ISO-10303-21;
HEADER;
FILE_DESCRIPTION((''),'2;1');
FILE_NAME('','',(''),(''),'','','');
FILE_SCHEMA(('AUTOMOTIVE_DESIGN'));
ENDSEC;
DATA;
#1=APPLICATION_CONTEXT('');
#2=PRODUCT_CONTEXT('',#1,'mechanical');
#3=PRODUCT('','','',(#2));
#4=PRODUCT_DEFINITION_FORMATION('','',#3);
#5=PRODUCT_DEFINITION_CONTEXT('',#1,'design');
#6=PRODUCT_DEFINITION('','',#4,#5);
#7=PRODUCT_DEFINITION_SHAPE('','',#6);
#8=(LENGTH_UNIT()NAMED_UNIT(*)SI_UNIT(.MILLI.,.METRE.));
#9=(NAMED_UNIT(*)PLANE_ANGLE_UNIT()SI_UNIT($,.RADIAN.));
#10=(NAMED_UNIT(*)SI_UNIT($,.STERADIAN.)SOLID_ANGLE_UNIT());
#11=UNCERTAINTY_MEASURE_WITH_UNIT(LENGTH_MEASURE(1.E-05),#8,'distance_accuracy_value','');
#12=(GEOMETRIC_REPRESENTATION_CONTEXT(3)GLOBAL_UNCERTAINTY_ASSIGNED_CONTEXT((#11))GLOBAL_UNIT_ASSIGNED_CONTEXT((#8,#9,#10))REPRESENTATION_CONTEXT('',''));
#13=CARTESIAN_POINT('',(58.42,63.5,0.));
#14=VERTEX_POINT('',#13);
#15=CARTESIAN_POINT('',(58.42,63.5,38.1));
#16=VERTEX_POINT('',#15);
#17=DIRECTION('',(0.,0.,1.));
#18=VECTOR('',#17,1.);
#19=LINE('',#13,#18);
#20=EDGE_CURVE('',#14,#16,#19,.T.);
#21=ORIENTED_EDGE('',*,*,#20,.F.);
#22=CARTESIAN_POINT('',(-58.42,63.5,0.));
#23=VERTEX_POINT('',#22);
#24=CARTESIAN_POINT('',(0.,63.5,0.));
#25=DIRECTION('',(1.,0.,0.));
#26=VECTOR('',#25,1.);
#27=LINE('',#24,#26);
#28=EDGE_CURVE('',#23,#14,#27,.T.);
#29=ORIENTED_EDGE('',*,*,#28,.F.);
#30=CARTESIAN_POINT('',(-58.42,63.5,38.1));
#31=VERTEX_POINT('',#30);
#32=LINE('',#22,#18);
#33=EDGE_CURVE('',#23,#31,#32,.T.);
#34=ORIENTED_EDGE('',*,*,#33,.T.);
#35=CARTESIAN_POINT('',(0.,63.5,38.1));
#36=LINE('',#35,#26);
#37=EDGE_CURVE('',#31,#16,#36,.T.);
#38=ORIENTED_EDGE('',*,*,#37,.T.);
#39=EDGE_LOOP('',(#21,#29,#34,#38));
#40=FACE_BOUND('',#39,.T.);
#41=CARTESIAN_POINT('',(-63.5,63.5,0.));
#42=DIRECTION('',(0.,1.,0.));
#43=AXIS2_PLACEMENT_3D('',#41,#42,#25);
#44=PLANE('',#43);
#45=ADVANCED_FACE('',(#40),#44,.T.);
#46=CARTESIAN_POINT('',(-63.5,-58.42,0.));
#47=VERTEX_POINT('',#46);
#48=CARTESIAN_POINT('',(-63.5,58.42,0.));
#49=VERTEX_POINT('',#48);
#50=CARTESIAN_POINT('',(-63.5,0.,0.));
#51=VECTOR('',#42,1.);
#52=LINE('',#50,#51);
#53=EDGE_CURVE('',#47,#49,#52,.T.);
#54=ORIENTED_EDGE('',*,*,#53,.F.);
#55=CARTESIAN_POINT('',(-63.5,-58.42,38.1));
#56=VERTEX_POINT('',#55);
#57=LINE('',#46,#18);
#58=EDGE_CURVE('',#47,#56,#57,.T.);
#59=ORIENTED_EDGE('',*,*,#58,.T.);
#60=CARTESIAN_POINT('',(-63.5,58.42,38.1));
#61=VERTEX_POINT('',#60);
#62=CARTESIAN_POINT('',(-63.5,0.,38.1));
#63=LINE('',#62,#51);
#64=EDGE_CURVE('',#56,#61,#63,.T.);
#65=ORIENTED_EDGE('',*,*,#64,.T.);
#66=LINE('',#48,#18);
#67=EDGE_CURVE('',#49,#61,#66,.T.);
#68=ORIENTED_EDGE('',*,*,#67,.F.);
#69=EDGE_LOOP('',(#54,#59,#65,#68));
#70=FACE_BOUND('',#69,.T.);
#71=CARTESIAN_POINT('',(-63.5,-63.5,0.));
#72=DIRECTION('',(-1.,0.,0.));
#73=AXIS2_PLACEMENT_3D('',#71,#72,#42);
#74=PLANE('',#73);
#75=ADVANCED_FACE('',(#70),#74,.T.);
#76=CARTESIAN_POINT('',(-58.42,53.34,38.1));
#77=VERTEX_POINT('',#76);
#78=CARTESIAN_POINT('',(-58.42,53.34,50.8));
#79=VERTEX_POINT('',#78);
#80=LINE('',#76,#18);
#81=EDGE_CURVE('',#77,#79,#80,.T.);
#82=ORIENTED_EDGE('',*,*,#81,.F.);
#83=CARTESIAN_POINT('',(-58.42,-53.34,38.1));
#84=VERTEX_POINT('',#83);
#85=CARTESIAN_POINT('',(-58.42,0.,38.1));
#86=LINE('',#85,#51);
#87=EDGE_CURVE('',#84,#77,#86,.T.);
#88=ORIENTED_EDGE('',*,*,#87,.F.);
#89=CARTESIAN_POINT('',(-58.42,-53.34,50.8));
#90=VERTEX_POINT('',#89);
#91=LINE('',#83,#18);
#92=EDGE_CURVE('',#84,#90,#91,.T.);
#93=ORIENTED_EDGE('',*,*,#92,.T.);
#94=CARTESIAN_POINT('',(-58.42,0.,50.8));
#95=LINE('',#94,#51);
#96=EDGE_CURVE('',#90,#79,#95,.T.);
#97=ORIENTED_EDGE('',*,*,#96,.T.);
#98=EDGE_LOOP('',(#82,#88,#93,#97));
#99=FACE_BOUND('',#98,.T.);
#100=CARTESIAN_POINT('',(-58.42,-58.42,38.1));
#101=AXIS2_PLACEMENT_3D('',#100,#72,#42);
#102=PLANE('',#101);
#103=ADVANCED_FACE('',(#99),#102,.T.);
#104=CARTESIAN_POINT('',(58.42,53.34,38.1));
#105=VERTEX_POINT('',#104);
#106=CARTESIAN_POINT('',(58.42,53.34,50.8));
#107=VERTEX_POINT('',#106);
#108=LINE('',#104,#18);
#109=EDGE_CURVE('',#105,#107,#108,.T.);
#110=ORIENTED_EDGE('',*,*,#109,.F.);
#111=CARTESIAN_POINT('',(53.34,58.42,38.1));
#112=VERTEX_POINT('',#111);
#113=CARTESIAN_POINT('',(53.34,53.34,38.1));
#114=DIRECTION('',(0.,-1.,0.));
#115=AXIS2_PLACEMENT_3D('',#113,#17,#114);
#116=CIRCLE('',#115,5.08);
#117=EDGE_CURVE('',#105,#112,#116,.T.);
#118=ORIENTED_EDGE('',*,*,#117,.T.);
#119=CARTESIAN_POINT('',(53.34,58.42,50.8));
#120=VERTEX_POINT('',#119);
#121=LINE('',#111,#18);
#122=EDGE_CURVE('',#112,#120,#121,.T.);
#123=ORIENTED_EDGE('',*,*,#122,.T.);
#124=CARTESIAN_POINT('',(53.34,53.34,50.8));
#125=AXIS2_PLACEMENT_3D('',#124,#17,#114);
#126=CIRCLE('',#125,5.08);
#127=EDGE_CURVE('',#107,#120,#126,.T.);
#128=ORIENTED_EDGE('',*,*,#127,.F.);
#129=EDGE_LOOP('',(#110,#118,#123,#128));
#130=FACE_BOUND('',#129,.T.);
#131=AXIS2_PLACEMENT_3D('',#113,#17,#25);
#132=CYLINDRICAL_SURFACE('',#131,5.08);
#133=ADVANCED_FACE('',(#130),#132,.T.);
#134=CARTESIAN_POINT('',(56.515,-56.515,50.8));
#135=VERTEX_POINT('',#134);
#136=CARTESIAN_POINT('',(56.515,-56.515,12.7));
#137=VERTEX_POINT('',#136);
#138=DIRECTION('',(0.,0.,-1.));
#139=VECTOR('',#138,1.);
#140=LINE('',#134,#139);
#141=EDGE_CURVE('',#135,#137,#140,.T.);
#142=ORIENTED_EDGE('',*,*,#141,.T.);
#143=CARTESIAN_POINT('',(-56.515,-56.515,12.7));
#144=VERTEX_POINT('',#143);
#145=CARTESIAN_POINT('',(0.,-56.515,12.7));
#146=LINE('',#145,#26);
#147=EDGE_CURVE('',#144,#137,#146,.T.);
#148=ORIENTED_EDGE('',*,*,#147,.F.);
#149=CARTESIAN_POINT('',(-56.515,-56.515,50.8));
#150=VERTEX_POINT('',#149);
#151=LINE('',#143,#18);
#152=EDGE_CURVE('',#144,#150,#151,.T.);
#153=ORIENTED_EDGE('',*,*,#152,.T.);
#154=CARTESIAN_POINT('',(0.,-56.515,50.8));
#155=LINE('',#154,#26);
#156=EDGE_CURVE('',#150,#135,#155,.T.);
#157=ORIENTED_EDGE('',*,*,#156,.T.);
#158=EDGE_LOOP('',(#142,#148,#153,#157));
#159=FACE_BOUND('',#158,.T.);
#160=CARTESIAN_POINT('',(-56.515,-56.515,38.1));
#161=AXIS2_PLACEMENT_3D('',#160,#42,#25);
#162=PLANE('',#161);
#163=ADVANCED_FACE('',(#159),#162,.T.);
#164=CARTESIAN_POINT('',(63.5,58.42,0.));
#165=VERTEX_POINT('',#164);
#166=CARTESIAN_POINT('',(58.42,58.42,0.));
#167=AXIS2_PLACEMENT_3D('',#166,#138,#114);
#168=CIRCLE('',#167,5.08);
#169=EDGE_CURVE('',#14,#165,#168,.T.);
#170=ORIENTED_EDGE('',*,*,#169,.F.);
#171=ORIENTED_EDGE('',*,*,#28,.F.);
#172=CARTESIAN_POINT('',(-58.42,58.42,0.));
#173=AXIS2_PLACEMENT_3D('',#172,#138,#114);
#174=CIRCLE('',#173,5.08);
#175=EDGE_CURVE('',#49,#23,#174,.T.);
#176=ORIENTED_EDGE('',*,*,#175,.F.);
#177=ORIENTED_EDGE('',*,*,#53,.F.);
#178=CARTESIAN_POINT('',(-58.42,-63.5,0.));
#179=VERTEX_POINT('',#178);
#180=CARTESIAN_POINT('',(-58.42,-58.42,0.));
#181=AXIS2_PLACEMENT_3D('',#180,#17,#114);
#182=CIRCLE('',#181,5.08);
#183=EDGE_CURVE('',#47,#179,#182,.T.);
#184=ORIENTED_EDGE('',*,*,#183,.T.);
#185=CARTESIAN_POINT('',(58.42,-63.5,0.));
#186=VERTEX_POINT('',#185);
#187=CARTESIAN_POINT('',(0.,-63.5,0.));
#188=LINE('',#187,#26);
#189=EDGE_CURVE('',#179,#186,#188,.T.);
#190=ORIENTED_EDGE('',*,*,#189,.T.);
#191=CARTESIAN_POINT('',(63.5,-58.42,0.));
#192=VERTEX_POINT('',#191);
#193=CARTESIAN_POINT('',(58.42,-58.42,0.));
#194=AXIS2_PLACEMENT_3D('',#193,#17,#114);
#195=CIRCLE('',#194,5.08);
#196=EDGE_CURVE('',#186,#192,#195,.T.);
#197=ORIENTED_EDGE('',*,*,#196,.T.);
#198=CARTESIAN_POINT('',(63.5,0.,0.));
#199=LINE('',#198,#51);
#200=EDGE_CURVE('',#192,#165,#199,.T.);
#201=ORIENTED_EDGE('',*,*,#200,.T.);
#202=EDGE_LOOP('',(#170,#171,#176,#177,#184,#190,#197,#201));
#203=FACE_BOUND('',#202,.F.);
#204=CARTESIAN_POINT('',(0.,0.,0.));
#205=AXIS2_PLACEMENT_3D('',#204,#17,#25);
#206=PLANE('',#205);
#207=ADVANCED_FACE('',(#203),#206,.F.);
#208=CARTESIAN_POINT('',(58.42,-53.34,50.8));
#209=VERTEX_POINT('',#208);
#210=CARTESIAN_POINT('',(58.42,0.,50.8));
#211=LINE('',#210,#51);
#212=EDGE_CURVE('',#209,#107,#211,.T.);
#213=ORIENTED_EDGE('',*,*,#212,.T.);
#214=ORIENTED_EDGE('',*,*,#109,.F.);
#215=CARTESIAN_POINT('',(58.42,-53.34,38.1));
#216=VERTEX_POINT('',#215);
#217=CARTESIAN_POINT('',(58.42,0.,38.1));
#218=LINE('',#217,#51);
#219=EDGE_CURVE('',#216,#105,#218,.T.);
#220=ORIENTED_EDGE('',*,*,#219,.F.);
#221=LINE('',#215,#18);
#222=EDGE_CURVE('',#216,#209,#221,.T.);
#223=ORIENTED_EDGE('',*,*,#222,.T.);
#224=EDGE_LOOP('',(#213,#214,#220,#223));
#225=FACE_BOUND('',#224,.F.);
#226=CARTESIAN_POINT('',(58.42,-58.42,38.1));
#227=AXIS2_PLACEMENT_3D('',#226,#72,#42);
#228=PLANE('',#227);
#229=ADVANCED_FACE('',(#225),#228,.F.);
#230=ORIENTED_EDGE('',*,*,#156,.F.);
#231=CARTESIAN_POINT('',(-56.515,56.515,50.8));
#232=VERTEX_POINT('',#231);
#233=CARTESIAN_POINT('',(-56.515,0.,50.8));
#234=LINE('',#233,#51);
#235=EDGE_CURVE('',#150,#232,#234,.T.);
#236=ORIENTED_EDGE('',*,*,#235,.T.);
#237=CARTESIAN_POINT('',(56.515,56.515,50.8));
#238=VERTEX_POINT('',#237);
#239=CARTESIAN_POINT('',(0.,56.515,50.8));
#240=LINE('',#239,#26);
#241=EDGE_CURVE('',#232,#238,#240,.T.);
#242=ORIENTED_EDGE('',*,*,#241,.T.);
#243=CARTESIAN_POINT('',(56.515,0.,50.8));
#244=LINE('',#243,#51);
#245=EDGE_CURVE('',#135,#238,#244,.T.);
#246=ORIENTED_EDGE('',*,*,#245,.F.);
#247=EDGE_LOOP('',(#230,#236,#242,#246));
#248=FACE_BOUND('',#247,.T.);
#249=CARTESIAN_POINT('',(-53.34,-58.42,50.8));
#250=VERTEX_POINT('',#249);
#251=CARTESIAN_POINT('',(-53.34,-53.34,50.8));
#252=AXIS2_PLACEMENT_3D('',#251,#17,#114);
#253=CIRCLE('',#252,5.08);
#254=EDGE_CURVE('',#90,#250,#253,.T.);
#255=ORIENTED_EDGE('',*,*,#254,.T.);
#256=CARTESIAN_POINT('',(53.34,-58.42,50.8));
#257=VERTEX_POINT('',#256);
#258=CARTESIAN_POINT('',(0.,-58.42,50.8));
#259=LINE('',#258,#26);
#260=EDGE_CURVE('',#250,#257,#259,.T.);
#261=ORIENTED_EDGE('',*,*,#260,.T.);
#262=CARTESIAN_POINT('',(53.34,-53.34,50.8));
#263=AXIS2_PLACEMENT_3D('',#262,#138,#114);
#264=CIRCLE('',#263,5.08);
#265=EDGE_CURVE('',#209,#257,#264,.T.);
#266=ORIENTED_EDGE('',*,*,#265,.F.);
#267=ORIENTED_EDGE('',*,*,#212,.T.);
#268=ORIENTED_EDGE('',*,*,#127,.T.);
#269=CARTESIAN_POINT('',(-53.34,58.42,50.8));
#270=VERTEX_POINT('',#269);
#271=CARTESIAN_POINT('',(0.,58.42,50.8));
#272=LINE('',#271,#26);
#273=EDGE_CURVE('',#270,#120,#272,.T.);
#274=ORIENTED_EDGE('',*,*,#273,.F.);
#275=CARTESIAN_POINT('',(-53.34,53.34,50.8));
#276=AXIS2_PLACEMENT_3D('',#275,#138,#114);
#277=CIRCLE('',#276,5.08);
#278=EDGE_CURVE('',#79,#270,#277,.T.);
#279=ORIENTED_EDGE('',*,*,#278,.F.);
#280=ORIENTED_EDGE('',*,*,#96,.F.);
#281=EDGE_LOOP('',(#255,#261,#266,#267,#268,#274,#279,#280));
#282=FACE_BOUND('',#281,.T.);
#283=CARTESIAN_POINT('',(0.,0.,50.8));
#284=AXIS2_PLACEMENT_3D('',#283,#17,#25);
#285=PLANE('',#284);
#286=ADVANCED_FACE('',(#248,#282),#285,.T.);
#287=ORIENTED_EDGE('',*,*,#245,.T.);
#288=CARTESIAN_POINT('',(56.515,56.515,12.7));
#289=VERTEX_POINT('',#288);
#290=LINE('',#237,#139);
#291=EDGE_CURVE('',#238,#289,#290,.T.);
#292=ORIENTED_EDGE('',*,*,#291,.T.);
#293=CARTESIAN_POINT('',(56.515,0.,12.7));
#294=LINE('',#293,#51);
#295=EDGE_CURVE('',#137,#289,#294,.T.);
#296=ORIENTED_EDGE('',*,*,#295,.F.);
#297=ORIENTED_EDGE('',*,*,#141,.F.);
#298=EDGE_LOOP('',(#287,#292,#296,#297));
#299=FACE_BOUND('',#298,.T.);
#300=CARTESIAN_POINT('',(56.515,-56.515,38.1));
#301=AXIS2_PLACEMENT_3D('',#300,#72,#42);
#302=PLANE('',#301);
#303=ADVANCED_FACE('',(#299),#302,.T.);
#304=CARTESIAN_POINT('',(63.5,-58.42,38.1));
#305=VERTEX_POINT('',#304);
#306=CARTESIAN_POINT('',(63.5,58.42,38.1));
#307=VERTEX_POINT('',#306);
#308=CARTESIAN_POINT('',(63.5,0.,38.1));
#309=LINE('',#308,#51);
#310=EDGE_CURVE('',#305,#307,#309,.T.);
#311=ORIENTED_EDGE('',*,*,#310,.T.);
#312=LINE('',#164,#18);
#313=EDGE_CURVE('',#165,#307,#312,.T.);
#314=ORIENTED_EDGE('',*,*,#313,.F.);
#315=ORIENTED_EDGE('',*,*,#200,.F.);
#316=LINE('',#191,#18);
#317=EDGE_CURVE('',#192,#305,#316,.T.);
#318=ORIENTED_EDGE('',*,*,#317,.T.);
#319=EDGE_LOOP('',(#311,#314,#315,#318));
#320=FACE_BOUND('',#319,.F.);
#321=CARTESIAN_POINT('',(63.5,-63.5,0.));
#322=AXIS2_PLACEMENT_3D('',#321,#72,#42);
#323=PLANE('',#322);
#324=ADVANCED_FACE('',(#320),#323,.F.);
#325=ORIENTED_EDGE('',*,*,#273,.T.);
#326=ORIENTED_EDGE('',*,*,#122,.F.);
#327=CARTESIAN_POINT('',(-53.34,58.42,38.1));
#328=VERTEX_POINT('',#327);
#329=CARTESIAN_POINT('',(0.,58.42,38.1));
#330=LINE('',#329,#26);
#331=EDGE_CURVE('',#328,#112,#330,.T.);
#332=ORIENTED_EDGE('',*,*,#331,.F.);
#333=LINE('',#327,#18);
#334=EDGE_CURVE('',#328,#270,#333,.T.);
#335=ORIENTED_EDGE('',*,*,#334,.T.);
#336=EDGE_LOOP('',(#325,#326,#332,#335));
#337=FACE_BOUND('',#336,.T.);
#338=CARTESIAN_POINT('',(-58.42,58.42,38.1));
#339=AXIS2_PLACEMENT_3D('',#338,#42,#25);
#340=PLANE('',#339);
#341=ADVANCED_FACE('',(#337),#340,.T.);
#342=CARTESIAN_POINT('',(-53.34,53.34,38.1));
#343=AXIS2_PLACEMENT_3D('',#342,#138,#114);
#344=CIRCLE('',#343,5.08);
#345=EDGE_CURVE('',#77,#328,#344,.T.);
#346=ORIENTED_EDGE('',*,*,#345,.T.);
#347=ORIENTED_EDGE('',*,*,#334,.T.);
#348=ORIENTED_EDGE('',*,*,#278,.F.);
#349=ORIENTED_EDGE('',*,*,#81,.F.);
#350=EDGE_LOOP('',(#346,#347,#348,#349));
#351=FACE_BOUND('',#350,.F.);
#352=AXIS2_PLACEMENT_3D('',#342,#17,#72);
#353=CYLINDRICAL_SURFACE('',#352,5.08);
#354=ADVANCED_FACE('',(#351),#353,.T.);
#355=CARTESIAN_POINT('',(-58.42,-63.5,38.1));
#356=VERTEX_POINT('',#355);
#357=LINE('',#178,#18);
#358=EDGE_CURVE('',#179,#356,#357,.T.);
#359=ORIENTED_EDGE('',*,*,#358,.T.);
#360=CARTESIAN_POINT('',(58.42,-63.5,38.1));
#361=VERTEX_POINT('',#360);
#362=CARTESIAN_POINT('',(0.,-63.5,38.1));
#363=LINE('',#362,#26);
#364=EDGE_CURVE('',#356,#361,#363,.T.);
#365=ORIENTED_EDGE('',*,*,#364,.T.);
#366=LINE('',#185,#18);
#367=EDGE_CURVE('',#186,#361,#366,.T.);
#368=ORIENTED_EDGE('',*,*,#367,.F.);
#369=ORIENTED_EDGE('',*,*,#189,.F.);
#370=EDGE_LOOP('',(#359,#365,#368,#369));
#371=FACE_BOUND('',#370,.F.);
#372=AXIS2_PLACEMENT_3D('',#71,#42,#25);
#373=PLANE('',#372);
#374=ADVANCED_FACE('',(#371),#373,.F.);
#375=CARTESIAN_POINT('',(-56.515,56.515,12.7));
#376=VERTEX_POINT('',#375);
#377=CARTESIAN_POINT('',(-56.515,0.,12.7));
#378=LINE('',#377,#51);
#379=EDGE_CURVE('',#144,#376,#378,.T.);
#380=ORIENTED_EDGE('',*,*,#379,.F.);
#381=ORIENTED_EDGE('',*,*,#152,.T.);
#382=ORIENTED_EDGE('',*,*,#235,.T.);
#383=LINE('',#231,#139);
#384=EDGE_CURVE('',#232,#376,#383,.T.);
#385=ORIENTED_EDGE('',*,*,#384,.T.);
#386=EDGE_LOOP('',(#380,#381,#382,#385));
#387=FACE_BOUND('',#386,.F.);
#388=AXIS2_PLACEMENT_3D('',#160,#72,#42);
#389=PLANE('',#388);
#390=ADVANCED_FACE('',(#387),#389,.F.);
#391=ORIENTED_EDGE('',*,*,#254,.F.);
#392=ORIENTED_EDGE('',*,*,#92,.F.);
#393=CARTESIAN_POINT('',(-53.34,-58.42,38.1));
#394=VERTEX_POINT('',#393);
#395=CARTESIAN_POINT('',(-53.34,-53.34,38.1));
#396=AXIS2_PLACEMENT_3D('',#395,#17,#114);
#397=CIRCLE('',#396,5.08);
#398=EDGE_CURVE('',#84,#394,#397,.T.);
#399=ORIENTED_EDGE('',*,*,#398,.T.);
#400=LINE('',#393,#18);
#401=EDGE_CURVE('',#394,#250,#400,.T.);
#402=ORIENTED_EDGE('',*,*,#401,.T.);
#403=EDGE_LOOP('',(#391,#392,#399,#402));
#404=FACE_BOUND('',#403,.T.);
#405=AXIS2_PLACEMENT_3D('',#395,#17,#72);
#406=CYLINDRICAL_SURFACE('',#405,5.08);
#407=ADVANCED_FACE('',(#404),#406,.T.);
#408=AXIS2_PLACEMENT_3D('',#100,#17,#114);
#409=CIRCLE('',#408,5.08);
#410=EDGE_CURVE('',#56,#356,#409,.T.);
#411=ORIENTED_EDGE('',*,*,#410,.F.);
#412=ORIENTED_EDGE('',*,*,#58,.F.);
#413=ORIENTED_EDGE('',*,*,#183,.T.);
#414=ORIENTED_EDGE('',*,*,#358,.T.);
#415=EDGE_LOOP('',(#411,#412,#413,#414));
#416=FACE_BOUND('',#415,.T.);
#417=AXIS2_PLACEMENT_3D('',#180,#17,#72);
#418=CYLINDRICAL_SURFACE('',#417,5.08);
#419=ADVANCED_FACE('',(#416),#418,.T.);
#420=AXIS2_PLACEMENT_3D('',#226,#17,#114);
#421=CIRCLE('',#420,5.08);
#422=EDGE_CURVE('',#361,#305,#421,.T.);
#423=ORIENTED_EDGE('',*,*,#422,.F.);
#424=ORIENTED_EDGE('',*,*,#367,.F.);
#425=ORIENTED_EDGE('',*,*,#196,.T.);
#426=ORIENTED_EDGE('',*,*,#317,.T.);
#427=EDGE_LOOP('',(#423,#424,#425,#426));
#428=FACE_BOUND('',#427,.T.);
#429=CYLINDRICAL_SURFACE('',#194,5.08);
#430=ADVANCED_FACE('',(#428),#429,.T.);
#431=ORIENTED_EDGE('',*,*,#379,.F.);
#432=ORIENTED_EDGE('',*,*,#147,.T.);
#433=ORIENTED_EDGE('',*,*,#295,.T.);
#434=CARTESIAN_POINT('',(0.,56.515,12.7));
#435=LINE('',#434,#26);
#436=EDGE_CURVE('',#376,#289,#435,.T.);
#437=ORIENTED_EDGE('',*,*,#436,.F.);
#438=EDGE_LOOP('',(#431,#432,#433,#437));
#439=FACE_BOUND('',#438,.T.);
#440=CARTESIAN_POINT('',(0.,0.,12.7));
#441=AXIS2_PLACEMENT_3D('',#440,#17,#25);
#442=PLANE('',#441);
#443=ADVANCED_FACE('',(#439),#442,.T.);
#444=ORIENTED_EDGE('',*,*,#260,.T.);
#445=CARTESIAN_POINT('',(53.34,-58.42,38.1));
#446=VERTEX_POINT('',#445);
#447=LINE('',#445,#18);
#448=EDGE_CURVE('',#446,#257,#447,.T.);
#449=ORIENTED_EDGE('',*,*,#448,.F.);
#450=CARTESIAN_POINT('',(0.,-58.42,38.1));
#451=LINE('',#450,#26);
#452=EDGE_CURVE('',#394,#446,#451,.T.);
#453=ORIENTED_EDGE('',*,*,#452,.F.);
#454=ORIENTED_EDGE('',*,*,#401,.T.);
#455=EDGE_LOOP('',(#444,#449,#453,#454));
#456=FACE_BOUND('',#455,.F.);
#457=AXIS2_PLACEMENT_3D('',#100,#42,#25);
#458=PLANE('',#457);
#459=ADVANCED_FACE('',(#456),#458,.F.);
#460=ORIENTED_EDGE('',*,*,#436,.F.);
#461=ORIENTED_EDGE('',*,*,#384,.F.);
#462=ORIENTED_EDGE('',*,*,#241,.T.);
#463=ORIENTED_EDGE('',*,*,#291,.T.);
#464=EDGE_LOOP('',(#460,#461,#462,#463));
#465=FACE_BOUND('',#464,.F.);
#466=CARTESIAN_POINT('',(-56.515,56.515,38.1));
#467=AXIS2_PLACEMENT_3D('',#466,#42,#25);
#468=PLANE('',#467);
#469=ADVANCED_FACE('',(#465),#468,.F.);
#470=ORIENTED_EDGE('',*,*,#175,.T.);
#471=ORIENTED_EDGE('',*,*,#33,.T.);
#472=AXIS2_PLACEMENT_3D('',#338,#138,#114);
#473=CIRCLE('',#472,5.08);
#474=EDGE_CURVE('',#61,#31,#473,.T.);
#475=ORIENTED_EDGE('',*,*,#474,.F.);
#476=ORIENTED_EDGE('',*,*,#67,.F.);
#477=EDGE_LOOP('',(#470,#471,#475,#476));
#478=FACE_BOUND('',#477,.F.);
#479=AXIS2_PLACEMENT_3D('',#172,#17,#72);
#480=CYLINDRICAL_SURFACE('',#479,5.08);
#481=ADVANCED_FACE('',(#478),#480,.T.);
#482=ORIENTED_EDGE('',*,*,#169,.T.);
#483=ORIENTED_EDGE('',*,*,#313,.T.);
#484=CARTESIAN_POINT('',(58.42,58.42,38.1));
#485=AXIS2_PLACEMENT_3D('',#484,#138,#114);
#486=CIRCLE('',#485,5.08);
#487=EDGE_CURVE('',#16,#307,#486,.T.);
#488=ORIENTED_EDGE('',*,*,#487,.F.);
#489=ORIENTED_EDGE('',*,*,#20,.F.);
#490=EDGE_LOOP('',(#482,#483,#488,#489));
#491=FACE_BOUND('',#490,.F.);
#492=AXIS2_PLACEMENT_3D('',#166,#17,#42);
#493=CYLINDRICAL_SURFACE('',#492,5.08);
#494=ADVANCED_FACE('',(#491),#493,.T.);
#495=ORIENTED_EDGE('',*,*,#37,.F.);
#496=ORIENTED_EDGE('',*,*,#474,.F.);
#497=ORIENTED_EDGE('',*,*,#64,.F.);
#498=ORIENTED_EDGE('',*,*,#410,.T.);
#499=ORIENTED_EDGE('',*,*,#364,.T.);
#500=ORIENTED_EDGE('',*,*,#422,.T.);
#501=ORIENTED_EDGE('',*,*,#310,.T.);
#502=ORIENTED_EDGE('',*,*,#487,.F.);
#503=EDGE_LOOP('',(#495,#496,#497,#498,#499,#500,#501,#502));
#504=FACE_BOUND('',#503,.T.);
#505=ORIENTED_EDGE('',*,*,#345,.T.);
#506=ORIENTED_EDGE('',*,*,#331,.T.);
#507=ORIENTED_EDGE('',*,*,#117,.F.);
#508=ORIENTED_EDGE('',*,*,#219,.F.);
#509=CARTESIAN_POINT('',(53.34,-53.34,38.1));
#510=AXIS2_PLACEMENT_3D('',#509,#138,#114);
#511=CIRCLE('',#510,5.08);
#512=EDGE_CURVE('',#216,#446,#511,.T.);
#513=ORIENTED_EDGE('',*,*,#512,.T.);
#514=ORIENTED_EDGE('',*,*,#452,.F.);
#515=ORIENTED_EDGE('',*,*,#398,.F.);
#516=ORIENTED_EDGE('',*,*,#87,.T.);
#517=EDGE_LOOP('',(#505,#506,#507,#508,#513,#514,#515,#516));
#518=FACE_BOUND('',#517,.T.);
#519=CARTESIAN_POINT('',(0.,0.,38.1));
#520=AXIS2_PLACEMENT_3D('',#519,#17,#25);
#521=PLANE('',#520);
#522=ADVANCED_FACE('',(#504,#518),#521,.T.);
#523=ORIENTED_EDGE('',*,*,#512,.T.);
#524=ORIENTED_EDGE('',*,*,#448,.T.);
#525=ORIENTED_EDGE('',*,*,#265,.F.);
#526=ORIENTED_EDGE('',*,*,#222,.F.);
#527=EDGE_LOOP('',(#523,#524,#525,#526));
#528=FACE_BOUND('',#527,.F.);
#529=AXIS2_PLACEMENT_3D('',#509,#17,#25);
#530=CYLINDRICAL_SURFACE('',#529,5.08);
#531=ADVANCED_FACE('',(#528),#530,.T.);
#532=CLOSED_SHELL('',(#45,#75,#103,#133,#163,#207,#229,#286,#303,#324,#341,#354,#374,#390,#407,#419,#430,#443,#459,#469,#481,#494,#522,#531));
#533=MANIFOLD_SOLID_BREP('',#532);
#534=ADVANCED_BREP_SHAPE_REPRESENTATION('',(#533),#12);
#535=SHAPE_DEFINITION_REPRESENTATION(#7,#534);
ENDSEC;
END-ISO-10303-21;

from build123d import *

# Parameters (mm, degrees)
F0_W     = 127
F0_H     = 127
F0_W_2   = 113.03
F0_H_2   = 113.03
F1_DEPTH = 38.1
F2_W     = 113.03
F2_H     = 113.03
F3_DEPTH = 12.7
F4_R     = 5.08
F5_W     = 116.84
F5_H     = 116.84
F5_W_2   = 113.03
F5_H_2   = 113.03
F6_DEPTH = 12.7
F7_R     = 5.08


with BuildPart() as f1:
    # F0 (on Top) → F1 (new body)
    with BuildSketch(Plane.XY):
        Rectangle(F0_W, F0_H)
        Rectangle(F0_W_2, F0_H_2, mode=Mode.SUBTRACT)
    extrude(amount=F1_DEPTH)

    # F2 (on Top) → F3 (join)
    with BuildSketch(Plane.XY):
        Rectangle(F2_W, F2_H)
    extrude(amount=F3_DEPTH)

    # F4
    f4_edges = [f1.edges().sort_by_distance(p)[0] for p in [
        (-63.5, -63.5, 19.05),
        (-63.5, 63.5, 19.05),
        (63.5, 63.5, 19.05),
        (63.5, -63.5, 19.05),
    ]]
    fillet(f4_edges, radius=F4_R)

    # F5 (on face) → F6 (join)
    with BuildSketch(Plane.XY.offset(38.1)):
        Rectangle(F5_W, F5_H)
        Rectangle(F5_W_2, F5_H_2, mode=Mode.SUBTRACT)
    extrude(amount=F6_DEPTH)

    # F7
    f7_edges = [f1.edges().sort_by_distance(p)[0] for p in [
        (-58.42, -58.42, 44.45),
        (58.42, -58.42, 44.45),
        (58.42, 58.42, 44.45),
        (-58.42, 58.42, 44.45),
    ]]
    fillet(f7_edges, radius=F7_R)


solid = f1.part
